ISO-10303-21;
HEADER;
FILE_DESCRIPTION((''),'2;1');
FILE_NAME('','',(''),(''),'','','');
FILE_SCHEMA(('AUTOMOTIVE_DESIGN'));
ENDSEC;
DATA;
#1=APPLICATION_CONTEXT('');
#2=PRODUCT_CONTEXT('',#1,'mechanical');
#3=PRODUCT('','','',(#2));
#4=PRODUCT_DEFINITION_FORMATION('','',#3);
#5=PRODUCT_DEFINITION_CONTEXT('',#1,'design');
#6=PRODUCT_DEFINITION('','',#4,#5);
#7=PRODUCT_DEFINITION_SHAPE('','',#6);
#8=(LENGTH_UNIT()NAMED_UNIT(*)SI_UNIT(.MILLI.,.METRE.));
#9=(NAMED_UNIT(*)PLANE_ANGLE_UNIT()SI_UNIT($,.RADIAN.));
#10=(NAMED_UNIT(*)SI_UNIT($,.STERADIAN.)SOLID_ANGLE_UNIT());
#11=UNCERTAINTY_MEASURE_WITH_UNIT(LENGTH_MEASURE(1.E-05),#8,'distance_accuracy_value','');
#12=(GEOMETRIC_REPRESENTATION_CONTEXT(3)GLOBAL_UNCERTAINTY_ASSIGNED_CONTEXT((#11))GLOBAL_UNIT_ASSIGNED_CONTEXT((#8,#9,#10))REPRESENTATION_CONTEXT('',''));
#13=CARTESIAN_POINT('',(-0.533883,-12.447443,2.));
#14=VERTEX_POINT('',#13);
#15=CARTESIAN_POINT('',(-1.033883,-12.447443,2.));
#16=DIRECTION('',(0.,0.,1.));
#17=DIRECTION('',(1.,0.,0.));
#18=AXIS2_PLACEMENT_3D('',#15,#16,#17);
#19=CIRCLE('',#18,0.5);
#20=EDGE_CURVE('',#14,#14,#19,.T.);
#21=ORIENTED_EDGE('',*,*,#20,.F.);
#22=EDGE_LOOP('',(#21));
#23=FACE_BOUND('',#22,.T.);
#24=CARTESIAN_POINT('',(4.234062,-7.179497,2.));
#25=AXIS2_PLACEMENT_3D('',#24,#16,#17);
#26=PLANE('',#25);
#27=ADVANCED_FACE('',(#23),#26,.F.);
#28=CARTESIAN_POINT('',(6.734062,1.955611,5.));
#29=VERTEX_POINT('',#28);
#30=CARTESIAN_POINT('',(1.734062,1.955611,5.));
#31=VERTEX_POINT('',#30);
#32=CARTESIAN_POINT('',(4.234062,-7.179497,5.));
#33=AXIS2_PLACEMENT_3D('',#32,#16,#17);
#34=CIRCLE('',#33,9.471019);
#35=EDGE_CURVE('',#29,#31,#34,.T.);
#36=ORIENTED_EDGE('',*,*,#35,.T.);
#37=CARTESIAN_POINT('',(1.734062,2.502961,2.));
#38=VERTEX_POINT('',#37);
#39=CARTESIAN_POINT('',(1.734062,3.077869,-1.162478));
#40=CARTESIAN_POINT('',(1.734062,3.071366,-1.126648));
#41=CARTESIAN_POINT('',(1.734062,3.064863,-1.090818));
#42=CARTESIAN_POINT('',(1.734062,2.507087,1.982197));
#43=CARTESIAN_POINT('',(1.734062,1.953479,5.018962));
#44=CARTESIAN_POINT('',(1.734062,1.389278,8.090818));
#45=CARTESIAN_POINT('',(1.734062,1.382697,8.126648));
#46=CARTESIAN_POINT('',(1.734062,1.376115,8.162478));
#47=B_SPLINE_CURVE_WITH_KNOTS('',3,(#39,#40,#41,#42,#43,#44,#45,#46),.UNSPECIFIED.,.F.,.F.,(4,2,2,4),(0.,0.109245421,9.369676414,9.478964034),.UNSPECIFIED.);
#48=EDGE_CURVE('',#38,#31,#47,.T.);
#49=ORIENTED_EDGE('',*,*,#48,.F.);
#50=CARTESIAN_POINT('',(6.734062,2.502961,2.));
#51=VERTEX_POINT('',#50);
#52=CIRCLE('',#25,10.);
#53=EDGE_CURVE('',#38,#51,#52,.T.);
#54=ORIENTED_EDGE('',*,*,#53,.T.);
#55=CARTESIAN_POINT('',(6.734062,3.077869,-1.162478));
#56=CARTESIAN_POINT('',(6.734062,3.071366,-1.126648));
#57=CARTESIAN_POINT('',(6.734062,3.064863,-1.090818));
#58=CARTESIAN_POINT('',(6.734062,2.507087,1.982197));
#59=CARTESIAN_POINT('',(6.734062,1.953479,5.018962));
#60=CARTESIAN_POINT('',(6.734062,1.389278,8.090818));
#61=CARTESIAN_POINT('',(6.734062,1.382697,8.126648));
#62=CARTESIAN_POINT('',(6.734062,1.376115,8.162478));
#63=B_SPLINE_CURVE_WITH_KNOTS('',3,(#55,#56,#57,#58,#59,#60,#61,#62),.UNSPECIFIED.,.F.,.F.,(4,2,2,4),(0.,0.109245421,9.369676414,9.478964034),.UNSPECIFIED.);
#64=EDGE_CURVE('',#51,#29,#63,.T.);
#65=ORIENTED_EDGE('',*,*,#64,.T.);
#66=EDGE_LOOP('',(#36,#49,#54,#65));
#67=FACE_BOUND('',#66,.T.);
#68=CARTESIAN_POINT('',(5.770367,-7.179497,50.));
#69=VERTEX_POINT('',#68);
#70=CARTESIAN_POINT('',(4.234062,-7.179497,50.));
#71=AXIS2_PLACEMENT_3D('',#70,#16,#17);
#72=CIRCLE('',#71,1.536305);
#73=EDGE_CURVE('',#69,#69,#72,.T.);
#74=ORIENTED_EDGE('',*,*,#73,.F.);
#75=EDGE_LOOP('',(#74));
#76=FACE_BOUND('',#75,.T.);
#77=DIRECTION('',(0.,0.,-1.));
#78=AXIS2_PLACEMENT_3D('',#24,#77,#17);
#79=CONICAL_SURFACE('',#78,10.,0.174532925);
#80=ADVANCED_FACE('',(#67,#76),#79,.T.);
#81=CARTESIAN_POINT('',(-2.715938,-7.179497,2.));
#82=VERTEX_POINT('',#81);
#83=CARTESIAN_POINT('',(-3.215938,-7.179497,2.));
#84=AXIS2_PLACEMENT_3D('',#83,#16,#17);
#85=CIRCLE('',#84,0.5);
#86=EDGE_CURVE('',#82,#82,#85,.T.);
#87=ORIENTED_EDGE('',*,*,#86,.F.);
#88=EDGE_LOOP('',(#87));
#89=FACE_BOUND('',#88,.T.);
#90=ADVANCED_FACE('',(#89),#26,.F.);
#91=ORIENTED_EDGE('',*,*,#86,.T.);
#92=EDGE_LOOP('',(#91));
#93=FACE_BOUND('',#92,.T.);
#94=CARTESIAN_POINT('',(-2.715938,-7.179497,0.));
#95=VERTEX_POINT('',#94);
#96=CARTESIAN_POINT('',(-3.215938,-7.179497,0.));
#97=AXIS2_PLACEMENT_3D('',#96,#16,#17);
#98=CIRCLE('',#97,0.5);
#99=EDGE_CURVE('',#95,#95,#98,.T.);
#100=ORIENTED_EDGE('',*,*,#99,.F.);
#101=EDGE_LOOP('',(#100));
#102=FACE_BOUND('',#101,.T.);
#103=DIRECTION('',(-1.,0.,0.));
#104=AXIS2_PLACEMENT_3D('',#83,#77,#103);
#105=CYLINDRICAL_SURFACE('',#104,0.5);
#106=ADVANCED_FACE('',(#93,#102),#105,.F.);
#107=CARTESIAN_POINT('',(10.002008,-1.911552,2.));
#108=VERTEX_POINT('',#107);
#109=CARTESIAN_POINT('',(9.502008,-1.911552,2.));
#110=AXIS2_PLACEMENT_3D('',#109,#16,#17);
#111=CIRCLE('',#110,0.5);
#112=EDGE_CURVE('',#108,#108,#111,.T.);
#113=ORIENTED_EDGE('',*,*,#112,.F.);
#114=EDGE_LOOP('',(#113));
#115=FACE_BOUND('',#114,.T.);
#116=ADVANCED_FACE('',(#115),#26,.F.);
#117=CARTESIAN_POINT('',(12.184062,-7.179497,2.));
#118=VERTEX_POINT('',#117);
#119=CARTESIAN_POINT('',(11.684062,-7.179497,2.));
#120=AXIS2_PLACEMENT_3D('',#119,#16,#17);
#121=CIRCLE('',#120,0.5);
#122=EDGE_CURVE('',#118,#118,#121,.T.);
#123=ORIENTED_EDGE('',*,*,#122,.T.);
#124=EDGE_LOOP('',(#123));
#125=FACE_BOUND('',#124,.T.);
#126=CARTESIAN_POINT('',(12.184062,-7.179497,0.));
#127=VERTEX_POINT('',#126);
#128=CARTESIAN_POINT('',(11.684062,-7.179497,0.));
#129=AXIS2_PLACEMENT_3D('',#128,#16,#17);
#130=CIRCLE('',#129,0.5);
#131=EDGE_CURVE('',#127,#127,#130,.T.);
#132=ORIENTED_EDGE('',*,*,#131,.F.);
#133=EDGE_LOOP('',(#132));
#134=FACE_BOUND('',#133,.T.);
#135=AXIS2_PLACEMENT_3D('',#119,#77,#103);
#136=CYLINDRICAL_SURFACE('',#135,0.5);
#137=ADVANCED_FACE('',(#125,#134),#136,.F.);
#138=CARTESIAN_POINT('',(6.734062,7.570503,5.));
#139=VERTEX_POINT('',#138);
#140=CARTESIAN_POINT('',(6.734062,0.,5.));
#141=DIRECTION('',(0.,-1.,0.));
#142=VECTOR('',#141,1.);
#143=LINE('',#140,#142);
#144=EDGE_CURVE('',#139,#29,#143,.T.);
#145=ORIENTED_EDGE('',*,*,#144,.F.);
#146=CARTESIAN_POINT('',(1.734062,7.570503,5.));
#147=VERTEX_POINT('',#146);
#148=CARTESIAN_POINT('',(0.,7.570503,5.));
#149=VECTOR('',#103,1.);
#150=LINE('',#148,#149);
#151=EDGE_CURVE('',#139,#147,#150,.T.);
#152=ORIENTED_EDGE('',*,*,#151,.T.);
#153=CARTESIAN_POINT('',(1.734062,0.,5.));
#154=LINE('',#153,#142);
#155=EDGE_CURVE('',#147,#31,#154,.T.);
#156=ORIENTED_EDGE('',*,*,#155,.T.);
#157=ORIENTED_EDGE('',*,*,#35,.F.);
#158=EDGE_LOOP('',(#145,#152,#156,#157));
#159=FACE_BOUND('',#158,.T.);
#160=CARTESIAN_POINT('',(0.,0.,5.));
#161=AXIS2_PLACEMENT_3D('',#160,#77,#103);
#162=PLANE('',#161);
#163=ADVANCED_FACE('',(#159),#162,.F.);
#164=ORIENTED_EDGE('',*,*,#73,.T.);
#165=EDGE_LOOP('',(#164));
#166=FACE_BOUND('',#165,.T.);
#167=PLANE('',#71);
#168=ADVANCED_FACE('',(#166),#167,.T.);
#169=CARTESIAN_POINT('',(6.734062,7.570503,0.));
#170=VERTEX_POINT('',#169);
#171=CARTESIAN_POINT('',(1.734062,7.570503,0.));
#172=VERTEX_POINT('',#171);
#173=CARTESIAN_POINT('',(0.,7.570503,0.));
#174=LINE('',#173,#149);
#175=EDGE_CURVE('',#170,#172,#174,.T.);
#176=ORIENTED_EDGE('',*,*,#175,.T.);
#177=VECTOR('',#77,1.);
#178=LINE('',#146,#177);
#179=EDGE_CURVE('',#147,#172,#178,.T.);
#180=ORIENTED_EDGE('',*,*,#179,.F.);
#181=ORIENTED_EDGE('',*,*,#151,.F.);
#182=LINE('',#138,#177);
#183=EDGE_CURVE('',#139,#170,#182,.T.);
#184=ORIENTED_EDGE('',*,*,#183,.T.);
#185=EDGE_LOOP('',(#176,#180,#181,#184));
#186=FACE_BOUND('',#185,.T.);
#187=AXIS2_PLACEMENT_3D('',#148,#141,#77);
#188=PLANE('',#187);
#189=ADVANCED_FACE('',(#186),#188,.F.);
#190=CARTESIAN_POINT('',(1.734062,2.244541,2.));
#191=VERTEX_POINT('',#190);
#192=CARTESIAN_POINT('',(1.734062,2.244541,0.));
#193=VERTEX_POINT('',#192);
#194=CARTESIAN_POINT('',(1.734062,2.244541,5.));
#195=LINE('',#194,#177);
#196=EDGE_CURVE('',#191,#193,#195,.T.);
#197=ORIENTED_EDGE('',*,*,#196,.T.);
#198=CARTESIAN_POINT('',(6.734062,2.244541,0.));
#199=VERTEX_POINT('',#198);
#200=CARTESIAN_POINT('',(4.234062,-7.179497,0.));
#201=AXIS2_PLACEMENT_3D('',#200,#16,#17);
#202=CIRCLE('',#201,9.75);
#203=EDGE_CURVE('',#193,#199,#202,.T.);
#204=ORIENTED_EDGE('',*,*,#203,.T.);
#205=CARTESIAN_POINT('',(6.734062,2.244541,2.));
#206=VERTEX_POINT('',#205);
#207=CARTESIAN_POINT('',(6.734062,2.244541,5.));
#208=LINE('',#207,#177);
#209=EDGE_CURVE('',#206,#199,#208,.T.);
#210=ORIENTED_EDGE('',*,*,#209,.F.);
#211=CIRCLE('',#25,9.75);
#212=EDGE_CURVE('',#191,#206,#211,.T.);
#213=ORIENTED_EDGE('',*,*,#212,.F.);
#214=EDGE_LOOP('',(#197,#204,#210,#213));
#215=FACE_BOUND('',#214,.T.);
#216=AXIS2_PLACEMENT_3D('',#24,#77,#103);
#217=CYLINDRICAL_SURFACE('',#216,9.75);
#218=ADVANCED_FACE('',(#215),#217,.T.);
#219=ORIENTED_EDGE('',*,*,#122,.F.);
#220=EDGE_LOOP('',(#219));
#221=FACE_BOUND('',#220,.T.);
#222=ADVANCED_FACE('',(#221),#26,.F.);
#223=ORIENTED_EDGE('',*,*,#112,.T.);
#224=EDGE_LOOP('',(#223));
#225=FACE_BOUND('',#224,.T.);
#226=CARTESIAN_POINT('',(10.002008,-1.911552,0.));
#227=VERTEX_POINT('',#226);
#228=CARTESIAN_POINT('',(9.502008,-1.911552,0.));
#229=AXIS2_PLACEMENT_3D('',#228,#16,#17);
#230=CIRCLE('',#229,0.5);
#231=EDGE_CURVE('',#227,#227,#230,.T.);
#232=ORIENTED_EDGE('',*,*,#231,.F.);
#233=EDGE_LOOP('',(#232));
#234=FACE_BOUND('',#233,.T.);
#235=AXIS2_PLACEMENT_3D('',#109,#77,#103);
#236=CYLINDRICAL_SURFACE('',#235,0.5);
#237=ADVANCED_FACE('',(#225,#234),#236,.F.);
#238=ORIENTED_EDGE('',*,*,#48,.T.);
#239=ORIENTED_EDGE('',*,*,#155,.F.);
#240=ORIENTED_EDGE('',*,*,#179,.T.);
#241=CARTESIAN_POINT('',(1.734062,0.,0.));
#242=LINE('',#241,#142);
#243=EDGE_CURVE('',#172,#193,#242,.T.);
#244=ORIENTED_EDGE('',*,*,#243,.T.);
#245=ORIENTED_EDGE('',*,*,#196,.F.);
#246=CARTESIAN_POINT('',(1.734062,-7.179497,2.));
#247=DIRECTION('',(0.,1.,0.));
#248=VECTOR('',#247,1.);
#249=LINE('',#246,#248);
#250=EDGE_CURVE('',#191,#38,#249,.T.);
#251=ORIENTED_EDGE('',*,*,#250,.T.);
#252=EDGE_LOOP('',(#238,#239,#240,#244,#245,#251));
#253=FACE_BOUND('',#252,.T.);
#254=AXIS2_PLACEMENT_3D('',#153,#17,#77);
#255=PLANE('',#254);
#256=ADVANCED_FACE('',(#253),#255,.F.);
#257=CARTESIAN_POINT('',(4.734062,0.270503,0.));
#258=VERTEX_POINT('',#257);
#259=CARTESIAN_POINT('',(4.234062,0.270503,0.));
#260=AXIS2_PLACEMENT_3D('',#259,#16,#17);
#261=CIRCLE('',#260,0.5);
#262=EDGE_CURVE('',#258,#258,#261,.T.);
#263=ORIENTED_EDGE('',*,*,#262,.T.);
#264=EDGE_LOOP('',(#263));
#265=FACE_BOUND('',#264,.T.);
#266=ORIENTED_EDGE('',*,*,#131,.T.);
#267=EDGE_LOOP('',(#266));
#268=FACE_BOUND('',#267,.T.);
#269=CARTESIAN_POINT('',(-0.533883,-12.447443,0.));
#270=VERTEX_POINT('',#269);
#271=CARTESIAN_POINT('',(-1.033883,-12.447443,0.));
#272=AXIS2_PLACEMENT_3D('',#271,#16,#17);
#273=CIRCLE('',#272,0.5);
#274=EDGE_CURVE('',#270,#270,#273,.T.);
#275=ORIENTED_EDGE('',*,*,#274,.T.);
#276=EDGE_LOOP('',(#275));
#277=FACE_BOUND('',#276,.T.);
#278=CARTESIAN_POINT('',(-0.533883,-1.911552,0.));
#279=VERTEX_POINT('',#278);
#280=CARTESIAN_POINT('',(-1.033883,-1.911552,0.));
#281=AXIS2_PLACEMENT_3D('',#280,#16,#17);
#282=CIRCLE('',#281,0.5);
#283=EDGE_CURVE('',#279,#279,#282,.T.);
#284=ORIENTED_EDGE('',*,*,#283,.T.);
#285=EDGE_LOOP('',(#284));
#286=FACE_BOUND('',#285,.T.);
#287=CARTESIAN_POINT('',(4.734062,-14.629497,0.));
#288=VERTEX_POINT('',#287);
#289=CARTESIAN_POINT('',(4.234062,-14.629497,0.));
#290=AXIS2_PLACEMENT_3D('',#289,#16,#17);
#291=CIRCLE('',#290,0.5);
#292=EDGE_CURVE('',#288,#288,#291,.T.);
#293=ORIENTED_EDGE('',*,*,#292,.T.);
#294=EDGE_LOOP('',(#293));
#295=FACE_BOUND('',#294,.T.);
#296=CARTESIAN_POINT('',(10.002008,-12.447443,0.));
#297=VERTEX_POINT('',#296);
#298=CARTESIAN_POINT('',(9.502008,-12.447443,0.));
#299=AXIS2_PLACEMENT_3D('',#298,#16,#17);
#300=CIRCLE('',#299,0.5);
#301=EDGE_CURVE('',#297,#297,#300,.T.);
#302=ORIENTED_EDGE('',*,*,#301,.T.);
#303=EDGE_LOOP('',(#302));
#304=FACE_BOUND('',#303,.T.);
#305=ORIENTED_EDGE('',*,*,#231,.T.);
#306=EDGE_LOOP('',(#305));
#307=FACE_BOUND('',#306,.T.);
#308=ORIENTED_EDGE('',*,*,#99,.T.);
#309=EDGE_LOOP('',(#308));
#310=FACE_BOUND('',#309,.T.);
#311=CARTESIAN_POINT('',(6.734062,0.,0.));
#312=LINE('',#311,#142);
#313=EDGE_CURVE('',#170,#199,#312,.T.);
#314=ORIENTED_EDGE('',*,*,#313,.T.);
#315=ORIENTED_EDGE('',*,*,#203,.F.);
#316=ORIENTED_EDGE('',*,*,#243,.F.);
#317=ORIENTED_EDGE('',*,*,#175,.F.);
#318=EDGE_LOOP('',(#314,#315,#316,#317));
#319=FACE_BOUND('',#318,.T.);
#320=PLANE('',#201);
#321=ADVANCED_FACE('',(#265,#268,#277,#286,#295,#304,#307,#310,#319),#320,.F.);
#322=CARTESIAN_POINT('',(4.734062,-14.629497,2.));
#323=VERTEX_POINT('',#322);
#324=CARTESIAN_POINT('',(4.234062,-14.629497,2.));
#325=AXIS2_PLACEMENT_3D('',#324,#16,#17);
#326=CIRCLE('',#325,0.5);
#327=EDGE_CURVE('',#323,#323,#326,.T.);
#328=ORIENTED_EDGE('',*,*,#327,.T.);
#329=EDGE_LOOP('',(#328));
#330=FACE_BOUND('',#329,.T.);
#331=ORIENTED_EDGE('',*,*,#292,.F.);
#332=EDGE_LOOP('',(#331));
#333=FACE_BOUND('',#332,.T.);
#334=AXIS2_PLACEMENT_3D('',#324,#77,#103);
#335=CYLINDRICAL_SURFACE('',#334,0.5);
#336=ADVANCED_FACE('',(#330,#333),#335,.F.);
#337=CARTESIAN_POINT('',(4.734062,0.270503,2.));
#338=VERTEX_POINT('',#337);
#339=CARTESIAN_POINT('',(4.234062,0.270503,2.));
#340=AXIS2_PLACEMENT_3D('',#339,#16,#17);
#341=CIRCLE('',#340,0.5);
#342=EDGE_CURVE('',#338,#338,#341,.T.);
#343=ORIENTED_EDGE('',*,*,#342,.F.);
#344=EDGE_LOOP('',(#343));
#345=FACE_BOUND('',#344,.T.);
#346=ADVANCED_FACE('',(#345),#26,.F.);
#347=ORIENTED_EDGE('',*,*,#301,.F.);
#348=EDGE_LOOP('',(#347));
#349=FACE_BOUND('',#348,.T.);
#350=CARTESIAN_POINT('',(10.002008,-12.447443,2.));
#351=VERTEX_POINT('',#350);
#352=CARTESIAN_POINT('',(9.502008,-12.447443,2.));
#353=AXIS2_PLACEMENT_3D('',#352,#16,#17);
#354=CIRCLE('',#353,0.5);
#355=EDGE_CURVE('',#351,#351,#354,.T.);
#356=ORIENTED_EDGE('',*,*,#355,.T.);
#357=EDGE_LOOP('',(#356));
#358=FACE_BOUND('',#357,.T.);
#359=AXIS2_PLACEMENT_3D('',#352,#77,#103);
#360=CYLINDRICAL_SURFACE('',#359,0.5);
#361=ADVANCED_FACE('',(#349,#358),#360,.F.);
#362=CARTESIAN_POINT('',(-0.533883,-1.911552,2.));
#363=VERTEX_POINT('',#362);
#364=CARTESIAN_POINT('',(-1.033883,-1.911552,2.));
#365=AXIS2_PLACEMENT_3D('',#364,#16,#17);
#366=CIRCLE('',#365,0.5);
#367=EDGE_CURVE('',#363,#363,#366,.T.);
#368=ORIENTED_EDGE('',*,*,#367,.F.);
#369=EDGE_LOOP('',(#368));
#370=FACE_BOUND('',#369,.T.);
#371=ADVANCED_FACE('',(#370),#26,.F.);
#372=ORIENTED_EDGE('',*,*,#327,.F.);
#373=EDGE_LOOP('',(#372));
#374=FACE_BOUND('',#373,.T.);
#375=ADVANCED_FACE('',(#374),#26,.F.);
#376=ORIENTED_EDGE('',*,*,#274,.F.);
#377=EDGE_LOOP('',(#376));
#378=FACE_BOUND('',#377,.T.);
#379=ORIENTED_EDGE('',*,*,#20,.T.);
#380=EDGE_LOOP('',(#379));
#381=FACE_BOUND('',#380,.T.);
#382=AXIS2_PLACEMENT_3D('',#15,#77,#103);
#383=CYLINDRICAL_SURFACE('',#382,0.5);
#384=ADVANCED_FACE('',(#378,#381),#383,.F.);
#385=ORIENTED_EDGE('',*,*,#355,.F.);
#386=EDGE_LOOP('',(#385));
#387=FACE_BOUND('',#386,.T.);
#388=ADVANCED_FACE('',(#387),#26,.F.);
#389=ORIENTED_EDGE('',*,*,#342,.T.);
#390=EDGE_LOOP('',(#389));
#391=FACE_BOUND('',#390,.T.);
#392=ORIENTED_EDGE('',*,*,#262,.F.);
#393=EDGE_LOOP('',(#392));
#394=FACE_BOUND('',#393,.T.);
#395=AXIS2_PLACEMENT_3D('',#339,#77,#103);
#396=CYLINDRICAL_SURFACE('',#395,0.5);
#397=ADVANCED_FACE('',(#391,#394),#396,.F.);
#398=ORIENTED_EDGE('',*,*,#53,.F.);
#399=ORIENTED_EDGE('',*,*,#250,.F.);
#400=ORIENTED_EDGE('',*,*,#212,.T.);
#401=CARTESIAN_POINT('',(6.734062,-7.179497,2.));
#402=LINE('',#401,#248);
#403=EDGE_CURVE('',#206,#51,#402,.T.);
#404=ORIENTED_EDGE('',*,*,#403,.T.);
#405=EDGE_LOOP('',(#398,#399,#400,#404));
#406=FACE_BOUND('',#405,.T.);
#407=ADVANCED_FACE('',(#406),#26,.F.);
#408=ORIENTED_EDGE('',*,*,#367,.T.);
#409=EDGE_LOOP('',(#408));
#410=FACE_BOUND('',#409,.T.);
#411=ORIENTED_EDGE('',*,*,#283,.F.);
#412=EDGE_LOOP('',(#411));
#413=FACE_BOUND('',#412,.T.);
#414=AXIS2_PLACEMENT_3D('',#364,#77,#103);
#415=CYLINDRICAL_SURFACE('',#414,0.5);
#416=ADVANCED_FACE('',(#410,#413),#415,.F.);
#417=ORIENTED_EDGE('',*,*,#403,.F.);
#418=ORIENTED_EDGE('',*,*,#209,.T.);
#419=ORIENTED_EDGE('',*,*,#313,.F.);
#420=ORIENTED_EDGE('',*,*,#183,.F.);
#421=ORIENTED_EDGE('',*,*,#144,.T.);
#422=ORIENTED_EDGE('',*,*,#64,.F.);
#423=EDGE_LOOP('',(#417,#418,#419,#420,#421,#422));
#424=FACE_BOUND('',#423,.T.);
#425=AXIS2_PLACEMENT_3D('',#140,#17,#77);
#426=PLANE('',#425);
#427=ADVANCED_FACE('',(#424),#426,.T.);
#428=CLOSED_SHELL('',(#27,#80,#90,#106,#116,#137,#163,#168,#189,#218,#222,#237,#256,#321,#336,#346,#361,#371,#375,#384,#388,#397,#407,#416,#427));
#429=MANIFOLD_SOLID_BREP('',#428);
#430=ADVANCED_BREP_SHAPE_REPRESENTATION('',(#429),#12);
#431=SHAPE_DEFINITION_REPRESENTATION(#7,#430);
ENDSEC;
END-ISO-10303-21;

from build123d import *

# Parameters (mm, degrees)
SKETCH1_R           = 9.75
SKETCH1_R_2         = 0.5
BOSS_EXTRUDE1_DEPTH = 2
SKETCH3_R           = 10
BOSS_EXTRUDE2_DEPTH = 48
BOSS_EXTRUDE2_TAPER = 10
BOSS_EXTRUDE3_DEPTH = 5
SKETCH5_W           = 5
SKETCH5_H           = 5
BOSS_EXTRUDE4_DEPTH = 6


with BuildPart() as part:
    # Sketch1 → Boss-Extrude1 (new body)
    with BuildSketch(Plane.XY):
        with Locations((4.234062462, -7.179497219)):
            Circle(SKETCH1_R)
        with Locations((4.234062462, 0.270502781)):
            Circle(SKETCH1_R_2, mode=Mode.SUBTRACT)
        with Locations((9.502007982, -1.911551699)):
            Circle(SKETCH1_R_2, mode=Mode.SUBTRACT)
        with Locations((11.684062462, -7.179497219)):
            Circle(SKETCH1_R_2, mode=Mode.SUBTRACT)
        with Locations((9.502007982, -12.447442738)):
            Circle(SKETCH1_R_2, mode=Mode.SUBTRACT)
        with Locations((4.234062462, -14.629497219)):
            Circle(SKETCH1_R_2, mode=Mode.SUBTRACT)
        with Locations((-1.033883058, -12.447442738)):
            Circle(SKETCH1_R_2, mode=Mode.SUBTRACT)
        with Locations((-3.215937538, -7.179497219)):
            Circle(SKETCH1_R_2, mode=Mode.SUBTRACT)
        with Locations((-1.033883058, -1.911551699)):
            Circle(SKETCH1_R_2, mode=Mode.SUBTRACT)
    extrude(amount=BOSS_EXTRUDE1_DEPTH)

    # Sketch3 → Boss-Extrude2 (add)
    with BuildSketch(Plane.XY.offset(2)):
        with Locations((4.234062462, -7.179497219)):
            Circle(SKETCH3_R)
    extrude(amount=BOSS_EXTRUDE2_DEPTH, taper=BOSS_EXTRUDE2_TAPER)

    # Sketch4 → Boss-Extrude3 (add)
    with BuildSketch(Plane(origin=(0, 0, 0), x_dir=(-1, 0, 0), z_dir=(0, 0, -1))):
        with BuildLine():
            ThreePointArc((-6.734062462, 2.244541194), (-5.494642781, 2.48866896), (-4.234062462, 2.570502781))
            Line((-4.234062462, 2.570502781), (-4.234062462, 7.570502781))
            Line((-4.234062462, 7.570502781), (-6.734062462, 7.570502781))
            Line((-6.734062462, 7.570502781), (-6.734062462, 2.244541194))
        make_face()
        with BuildLine():
            Line((-4.234062462, 7.570502781), (-4.234062462, 2.570502781))
            ThreePointArc((-4.234062462, 2.570502781), (-2.973482144, 2.48866896), (-1.734062462, 2.244541194))
            Line((-1.734062462, 2.244541194), (-1.734062462, 7.570502781))
            Line((-1.734062462, 7.570502781), (-4.234062462, 7.570502781))
        make_face()
    extrude(amount=-BOSS_EXTRUDE3_DEPTH)

    # Sketch5 → Boss-Extrude4 (add)
    with BuildSketch(Plane(origin=(0, 7.570502781, 0), x_dir=(1, 0, 0), z_dir=(0, 1, 0))):
        with Locations((4.234062462, -2.5)):
            Rectangle(SKETCH5_W, SKETCH5_H)
    extrude(amount=-BOSS_EXTRUDE4_DEPTH)


solid = part.part
